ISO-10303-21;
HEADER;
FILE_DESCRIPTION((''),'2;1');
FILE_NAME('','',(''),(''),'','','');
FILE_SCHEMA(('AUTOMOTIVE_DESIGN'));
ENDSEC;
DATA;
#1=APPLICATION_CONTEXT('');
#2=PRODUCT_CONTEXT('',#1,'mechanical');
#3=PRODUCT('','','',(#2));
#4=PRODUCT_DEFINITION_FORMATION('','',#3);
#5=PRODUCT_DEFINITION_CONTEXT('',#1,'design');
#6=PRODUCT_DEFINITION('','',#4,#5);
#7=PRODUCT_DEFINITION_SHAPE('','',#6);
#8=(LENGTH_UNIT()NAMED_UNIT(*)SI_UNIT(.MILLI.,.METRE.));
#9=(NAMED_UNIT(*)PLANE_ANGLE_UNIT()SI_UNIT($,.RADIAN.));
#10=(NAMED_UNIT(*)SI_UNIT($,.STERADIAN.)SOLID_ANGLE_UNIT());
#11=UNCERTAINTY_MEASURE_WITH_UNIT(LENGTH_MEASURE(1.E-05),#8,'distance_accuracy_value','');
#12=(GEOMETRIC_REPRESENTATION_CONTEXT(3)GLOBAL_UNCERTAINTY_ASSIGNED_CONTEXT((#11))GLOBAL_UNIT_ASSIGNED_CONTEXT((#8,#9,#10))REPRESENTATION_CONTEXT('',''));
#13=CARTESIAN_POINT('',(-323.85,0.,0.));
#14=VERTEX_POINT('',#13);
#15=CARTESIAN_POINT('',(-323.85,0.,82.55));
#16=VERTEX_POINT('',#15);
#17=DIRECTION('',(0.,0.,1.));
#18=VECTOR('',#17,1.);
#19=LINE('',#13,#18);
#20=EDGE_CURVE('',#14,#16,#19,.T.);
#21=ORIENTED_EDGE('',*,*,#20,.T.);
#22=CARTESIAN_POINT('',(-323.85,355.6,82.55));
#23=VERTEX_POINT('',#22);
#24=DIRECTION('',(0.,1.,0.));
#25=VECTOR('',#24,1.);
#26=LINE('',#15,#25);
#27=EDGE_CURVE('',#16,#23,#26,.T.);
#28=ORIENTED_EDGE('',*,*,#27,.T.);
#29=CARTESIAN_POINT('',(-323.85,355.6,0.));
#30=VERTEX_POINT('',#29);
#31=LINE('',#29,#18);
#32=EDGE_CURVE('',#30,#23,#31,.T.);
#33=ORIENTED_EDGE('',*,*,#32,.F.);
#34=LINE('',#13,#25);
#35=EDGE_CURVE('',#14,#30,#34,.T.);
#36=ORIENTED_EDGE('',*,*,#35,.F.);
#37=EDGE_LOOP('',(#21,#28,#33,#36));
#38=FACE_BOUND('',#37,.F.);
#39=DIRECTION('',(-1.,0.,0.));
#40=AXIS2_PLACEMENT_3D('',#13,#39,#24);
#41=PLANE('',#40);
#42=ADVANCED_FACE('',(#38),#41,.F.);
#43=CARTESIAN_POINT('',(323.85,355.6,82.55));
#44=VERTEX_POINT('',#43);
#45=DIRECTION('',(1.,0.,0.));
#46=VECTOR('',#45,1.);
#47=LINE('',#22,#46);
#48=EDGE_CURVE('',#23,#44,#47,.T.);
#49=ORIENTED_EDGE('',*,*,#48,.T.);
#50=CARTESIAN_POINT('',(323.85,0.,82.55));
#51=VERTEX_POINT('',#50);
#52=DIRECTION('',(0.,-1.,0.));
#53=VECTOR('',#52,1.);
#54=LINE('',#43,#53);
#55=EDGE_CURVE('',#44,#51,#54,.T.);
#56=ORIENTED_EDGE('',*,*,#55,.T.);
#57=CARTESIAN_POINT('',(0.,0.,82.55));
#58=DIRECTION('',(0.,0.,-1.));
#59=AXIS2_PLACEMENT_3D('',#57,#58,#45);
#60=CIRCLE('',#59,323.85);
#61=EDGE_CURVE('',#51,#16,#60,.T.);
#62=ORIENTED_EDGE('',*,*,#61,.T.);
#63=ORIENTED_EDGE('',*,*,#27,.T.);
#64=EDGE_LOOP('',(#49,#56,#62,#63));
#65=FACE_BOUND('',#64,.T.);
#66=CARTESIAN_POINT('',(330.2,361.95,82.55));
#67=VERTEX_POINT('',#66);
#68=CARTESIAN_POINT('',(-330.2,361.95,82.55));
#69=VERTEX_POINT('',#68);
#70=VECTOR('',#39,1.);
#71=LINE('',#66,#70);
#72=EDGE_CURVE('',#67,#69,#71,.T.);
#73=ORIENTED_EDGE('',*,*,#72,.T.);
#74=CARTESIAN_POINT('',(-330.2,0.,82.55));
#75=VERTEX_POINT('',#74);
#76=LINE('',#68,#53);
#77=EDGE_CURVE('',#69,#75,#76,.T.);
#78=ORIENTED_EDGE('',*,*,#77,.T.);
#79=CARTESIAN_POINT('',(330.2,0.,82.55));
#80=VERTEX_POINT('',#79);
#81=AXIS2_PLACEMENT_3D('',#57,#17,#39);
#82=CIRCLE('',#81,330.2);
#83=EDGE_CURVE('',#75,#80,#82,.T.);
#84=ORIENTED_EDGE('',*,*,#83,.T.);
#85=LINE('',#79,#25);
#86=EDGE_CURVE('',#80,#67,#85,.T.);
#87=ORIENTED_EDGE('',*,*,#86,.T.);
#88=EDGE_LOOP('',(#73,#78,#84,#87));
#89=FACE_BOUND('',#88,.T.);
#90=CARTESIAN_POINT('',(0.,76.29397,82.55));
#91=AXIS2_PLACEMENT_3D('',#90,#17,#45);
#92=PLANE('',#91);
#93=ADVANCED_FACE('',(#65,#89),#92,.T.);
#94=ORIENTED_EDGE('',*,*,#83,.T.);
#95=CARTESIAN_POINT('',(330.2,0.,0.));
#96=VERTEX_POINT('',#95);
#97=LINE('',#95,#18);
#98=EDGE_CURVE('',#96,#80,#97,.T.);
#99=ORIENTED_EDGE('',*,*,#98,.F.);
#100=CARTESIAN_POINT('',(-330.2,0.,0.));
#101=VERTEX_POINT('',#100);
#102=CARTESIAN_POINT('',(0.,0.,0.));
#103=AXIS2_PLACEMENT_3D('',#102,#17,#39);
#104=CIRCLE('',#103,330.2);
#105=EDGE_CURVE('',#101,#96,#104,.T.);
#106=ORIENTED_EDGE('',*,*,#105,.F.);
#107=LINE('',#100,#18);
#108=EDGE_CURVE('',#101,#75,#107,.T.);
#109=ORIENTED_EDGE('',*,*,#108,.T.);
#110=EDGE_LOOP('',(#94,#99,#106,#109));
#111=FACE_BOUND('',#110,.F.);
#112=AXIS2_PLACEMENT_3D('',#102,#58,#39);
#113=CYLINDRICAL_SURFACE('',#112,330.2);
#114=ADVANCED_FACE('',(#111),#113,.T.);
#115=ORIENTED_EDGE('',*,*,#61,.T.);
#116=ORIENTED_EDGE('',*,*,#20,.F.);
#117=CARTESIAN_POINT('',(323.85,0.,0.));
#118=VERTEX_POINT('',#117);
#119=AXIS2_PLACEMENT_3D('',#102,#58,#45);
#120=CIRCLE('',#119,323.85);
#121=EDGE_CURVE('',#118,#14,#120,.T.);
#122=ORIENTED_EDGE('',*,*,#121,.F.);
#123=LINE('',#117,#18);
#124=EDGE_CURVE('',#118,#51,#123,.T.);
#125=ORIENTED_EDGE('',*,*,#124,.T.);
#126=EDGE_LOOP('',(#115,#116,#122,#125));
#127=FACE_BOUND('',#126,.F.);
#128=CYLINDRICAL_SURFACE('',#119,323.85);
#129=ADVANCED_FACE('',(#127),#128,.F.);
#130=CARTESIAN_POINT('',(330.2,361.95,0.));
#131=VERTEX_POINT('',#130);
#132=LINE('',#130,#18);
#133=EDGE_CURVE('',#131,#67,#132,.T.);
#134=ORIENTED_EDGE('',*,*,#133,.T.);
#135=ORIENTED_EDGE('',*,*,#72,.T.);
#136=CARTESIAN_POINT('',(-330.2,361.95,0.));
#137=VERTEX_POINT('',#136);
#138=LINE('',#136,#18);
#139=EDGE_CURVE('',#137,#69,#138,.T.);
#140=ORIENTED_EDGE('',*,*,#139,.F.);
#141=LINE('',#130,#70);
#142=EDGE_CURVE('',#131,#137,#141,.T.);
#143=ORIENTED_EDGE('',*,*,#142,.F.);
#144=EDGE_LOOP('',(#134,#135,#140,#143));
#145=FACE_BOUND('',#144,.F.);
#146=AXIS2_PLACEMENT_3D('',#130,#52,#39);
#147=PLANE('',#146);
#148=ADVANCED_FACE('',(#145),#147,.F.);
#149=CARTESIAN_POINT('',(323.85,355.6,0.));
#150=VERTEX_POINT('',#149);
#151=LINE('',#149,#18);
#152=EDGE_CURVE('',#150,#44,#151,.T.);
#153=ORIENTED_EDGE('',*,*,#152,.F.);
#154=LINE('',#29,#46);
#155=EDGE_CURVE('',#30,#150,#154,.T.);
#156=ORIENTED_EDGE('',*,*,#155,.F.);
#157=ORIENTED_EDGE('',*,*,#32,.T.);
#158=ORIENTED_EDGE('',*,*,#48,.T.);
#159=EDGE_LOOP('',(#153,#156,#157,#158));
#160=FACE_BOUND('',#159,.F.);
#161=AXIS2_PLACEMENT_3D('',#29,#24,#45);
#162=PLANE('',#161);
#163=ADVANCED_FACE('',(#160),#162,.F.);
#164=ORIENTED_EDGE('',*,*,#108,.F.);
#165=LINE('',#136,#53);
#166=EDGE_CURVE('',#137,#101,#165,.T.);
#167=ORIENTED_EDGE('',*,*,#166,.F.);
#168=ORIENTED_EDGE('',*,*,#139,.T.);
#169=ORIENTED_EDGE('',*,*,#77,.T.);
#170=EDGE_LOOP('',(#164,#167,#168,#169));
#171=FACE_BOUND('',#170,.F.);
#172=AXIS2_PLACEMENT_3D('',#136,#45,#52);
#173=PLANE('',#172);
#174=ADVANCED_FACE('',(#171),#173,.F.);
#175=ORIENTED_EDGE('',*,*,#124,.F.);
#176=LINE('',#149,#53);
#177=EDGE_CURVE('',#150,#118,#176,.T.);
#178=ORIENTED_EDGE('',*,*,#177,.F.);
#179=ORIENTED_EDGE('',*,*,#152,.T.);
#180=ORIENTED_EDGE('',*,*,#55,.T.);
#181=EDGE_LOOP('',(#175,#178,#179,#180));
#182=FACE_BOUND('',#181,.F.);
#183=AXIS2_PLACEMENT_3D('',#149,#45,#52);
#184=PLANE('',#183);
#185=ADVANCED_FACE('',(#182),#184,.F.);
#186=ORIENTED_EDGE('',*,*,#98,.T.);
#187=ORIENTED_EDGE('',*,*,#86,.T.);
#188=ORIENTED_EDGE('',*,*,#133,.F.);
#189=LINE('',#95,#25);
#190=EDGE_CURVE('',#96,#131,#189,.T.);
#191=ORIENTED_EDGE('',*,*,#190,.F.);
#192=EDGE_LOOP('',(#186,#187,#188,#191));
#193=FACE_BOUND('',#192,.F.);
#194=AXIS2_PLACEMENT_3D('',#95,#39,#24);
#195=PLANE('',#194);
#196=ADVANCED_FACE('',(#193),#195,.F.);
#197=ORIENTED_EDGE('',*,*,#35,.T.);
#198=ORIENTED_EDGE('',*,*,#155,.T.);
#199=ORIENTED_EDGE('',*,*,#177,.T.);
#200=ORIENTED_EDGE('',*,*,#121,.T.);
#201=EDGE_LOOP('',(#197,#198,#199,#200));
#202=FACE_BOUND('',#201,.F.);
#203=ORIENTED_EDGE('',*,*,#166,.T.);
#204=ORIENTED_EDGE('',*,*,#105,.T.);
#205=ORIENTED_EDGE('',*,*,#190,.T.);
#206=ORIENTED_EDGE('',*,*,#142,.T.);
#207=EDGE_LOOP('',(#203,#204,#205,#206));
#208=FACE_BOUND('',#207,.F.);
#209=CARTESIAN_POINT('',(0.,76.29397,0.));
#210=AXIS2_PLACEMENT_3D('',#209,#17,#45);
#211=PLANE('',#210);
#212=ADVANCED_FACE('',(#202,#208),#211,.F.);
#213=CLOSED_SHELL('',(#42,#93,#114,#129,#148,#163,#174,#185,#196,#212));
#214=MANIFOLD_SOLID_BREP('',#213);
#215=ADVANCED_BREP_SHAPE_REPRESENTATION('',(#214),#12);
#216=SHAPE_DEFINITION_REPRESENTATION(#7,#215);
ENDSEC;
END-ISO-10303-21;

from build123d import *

# Parameters (mm, degrees)
F1_DEPTH = 82.55


with BuildPart() as f1:
    # F0 (on Top) → F1 (new body)
    with BuildSketch(Plane.XY):
        with BuildLine():
            ThreePointArc((-330.2, 0), (0, -330.2), (330.2, 0))
            Line((330.2, 0), (330.2, 361.95))
            Line((330.2, 361.95), (-330.2, 361.95))
            Line((-330.2, 361.95), (-330.2, 0))
        make_face()
        with BuildLine():
            ThreePointArc((323.85, 0), (0, -323.85), (-323.85, 0))
            Line((-323.85, 0), (-323.85, 355.6))
            Line((-323.85, 355.6), (323.85, 355.6))
            Line((323.85, 355.6), (323.85, 0))
        make_face(mode=Mode.SUBTRACT)
    extrude(amount=F1_DEPTH)


solid = f1.part
